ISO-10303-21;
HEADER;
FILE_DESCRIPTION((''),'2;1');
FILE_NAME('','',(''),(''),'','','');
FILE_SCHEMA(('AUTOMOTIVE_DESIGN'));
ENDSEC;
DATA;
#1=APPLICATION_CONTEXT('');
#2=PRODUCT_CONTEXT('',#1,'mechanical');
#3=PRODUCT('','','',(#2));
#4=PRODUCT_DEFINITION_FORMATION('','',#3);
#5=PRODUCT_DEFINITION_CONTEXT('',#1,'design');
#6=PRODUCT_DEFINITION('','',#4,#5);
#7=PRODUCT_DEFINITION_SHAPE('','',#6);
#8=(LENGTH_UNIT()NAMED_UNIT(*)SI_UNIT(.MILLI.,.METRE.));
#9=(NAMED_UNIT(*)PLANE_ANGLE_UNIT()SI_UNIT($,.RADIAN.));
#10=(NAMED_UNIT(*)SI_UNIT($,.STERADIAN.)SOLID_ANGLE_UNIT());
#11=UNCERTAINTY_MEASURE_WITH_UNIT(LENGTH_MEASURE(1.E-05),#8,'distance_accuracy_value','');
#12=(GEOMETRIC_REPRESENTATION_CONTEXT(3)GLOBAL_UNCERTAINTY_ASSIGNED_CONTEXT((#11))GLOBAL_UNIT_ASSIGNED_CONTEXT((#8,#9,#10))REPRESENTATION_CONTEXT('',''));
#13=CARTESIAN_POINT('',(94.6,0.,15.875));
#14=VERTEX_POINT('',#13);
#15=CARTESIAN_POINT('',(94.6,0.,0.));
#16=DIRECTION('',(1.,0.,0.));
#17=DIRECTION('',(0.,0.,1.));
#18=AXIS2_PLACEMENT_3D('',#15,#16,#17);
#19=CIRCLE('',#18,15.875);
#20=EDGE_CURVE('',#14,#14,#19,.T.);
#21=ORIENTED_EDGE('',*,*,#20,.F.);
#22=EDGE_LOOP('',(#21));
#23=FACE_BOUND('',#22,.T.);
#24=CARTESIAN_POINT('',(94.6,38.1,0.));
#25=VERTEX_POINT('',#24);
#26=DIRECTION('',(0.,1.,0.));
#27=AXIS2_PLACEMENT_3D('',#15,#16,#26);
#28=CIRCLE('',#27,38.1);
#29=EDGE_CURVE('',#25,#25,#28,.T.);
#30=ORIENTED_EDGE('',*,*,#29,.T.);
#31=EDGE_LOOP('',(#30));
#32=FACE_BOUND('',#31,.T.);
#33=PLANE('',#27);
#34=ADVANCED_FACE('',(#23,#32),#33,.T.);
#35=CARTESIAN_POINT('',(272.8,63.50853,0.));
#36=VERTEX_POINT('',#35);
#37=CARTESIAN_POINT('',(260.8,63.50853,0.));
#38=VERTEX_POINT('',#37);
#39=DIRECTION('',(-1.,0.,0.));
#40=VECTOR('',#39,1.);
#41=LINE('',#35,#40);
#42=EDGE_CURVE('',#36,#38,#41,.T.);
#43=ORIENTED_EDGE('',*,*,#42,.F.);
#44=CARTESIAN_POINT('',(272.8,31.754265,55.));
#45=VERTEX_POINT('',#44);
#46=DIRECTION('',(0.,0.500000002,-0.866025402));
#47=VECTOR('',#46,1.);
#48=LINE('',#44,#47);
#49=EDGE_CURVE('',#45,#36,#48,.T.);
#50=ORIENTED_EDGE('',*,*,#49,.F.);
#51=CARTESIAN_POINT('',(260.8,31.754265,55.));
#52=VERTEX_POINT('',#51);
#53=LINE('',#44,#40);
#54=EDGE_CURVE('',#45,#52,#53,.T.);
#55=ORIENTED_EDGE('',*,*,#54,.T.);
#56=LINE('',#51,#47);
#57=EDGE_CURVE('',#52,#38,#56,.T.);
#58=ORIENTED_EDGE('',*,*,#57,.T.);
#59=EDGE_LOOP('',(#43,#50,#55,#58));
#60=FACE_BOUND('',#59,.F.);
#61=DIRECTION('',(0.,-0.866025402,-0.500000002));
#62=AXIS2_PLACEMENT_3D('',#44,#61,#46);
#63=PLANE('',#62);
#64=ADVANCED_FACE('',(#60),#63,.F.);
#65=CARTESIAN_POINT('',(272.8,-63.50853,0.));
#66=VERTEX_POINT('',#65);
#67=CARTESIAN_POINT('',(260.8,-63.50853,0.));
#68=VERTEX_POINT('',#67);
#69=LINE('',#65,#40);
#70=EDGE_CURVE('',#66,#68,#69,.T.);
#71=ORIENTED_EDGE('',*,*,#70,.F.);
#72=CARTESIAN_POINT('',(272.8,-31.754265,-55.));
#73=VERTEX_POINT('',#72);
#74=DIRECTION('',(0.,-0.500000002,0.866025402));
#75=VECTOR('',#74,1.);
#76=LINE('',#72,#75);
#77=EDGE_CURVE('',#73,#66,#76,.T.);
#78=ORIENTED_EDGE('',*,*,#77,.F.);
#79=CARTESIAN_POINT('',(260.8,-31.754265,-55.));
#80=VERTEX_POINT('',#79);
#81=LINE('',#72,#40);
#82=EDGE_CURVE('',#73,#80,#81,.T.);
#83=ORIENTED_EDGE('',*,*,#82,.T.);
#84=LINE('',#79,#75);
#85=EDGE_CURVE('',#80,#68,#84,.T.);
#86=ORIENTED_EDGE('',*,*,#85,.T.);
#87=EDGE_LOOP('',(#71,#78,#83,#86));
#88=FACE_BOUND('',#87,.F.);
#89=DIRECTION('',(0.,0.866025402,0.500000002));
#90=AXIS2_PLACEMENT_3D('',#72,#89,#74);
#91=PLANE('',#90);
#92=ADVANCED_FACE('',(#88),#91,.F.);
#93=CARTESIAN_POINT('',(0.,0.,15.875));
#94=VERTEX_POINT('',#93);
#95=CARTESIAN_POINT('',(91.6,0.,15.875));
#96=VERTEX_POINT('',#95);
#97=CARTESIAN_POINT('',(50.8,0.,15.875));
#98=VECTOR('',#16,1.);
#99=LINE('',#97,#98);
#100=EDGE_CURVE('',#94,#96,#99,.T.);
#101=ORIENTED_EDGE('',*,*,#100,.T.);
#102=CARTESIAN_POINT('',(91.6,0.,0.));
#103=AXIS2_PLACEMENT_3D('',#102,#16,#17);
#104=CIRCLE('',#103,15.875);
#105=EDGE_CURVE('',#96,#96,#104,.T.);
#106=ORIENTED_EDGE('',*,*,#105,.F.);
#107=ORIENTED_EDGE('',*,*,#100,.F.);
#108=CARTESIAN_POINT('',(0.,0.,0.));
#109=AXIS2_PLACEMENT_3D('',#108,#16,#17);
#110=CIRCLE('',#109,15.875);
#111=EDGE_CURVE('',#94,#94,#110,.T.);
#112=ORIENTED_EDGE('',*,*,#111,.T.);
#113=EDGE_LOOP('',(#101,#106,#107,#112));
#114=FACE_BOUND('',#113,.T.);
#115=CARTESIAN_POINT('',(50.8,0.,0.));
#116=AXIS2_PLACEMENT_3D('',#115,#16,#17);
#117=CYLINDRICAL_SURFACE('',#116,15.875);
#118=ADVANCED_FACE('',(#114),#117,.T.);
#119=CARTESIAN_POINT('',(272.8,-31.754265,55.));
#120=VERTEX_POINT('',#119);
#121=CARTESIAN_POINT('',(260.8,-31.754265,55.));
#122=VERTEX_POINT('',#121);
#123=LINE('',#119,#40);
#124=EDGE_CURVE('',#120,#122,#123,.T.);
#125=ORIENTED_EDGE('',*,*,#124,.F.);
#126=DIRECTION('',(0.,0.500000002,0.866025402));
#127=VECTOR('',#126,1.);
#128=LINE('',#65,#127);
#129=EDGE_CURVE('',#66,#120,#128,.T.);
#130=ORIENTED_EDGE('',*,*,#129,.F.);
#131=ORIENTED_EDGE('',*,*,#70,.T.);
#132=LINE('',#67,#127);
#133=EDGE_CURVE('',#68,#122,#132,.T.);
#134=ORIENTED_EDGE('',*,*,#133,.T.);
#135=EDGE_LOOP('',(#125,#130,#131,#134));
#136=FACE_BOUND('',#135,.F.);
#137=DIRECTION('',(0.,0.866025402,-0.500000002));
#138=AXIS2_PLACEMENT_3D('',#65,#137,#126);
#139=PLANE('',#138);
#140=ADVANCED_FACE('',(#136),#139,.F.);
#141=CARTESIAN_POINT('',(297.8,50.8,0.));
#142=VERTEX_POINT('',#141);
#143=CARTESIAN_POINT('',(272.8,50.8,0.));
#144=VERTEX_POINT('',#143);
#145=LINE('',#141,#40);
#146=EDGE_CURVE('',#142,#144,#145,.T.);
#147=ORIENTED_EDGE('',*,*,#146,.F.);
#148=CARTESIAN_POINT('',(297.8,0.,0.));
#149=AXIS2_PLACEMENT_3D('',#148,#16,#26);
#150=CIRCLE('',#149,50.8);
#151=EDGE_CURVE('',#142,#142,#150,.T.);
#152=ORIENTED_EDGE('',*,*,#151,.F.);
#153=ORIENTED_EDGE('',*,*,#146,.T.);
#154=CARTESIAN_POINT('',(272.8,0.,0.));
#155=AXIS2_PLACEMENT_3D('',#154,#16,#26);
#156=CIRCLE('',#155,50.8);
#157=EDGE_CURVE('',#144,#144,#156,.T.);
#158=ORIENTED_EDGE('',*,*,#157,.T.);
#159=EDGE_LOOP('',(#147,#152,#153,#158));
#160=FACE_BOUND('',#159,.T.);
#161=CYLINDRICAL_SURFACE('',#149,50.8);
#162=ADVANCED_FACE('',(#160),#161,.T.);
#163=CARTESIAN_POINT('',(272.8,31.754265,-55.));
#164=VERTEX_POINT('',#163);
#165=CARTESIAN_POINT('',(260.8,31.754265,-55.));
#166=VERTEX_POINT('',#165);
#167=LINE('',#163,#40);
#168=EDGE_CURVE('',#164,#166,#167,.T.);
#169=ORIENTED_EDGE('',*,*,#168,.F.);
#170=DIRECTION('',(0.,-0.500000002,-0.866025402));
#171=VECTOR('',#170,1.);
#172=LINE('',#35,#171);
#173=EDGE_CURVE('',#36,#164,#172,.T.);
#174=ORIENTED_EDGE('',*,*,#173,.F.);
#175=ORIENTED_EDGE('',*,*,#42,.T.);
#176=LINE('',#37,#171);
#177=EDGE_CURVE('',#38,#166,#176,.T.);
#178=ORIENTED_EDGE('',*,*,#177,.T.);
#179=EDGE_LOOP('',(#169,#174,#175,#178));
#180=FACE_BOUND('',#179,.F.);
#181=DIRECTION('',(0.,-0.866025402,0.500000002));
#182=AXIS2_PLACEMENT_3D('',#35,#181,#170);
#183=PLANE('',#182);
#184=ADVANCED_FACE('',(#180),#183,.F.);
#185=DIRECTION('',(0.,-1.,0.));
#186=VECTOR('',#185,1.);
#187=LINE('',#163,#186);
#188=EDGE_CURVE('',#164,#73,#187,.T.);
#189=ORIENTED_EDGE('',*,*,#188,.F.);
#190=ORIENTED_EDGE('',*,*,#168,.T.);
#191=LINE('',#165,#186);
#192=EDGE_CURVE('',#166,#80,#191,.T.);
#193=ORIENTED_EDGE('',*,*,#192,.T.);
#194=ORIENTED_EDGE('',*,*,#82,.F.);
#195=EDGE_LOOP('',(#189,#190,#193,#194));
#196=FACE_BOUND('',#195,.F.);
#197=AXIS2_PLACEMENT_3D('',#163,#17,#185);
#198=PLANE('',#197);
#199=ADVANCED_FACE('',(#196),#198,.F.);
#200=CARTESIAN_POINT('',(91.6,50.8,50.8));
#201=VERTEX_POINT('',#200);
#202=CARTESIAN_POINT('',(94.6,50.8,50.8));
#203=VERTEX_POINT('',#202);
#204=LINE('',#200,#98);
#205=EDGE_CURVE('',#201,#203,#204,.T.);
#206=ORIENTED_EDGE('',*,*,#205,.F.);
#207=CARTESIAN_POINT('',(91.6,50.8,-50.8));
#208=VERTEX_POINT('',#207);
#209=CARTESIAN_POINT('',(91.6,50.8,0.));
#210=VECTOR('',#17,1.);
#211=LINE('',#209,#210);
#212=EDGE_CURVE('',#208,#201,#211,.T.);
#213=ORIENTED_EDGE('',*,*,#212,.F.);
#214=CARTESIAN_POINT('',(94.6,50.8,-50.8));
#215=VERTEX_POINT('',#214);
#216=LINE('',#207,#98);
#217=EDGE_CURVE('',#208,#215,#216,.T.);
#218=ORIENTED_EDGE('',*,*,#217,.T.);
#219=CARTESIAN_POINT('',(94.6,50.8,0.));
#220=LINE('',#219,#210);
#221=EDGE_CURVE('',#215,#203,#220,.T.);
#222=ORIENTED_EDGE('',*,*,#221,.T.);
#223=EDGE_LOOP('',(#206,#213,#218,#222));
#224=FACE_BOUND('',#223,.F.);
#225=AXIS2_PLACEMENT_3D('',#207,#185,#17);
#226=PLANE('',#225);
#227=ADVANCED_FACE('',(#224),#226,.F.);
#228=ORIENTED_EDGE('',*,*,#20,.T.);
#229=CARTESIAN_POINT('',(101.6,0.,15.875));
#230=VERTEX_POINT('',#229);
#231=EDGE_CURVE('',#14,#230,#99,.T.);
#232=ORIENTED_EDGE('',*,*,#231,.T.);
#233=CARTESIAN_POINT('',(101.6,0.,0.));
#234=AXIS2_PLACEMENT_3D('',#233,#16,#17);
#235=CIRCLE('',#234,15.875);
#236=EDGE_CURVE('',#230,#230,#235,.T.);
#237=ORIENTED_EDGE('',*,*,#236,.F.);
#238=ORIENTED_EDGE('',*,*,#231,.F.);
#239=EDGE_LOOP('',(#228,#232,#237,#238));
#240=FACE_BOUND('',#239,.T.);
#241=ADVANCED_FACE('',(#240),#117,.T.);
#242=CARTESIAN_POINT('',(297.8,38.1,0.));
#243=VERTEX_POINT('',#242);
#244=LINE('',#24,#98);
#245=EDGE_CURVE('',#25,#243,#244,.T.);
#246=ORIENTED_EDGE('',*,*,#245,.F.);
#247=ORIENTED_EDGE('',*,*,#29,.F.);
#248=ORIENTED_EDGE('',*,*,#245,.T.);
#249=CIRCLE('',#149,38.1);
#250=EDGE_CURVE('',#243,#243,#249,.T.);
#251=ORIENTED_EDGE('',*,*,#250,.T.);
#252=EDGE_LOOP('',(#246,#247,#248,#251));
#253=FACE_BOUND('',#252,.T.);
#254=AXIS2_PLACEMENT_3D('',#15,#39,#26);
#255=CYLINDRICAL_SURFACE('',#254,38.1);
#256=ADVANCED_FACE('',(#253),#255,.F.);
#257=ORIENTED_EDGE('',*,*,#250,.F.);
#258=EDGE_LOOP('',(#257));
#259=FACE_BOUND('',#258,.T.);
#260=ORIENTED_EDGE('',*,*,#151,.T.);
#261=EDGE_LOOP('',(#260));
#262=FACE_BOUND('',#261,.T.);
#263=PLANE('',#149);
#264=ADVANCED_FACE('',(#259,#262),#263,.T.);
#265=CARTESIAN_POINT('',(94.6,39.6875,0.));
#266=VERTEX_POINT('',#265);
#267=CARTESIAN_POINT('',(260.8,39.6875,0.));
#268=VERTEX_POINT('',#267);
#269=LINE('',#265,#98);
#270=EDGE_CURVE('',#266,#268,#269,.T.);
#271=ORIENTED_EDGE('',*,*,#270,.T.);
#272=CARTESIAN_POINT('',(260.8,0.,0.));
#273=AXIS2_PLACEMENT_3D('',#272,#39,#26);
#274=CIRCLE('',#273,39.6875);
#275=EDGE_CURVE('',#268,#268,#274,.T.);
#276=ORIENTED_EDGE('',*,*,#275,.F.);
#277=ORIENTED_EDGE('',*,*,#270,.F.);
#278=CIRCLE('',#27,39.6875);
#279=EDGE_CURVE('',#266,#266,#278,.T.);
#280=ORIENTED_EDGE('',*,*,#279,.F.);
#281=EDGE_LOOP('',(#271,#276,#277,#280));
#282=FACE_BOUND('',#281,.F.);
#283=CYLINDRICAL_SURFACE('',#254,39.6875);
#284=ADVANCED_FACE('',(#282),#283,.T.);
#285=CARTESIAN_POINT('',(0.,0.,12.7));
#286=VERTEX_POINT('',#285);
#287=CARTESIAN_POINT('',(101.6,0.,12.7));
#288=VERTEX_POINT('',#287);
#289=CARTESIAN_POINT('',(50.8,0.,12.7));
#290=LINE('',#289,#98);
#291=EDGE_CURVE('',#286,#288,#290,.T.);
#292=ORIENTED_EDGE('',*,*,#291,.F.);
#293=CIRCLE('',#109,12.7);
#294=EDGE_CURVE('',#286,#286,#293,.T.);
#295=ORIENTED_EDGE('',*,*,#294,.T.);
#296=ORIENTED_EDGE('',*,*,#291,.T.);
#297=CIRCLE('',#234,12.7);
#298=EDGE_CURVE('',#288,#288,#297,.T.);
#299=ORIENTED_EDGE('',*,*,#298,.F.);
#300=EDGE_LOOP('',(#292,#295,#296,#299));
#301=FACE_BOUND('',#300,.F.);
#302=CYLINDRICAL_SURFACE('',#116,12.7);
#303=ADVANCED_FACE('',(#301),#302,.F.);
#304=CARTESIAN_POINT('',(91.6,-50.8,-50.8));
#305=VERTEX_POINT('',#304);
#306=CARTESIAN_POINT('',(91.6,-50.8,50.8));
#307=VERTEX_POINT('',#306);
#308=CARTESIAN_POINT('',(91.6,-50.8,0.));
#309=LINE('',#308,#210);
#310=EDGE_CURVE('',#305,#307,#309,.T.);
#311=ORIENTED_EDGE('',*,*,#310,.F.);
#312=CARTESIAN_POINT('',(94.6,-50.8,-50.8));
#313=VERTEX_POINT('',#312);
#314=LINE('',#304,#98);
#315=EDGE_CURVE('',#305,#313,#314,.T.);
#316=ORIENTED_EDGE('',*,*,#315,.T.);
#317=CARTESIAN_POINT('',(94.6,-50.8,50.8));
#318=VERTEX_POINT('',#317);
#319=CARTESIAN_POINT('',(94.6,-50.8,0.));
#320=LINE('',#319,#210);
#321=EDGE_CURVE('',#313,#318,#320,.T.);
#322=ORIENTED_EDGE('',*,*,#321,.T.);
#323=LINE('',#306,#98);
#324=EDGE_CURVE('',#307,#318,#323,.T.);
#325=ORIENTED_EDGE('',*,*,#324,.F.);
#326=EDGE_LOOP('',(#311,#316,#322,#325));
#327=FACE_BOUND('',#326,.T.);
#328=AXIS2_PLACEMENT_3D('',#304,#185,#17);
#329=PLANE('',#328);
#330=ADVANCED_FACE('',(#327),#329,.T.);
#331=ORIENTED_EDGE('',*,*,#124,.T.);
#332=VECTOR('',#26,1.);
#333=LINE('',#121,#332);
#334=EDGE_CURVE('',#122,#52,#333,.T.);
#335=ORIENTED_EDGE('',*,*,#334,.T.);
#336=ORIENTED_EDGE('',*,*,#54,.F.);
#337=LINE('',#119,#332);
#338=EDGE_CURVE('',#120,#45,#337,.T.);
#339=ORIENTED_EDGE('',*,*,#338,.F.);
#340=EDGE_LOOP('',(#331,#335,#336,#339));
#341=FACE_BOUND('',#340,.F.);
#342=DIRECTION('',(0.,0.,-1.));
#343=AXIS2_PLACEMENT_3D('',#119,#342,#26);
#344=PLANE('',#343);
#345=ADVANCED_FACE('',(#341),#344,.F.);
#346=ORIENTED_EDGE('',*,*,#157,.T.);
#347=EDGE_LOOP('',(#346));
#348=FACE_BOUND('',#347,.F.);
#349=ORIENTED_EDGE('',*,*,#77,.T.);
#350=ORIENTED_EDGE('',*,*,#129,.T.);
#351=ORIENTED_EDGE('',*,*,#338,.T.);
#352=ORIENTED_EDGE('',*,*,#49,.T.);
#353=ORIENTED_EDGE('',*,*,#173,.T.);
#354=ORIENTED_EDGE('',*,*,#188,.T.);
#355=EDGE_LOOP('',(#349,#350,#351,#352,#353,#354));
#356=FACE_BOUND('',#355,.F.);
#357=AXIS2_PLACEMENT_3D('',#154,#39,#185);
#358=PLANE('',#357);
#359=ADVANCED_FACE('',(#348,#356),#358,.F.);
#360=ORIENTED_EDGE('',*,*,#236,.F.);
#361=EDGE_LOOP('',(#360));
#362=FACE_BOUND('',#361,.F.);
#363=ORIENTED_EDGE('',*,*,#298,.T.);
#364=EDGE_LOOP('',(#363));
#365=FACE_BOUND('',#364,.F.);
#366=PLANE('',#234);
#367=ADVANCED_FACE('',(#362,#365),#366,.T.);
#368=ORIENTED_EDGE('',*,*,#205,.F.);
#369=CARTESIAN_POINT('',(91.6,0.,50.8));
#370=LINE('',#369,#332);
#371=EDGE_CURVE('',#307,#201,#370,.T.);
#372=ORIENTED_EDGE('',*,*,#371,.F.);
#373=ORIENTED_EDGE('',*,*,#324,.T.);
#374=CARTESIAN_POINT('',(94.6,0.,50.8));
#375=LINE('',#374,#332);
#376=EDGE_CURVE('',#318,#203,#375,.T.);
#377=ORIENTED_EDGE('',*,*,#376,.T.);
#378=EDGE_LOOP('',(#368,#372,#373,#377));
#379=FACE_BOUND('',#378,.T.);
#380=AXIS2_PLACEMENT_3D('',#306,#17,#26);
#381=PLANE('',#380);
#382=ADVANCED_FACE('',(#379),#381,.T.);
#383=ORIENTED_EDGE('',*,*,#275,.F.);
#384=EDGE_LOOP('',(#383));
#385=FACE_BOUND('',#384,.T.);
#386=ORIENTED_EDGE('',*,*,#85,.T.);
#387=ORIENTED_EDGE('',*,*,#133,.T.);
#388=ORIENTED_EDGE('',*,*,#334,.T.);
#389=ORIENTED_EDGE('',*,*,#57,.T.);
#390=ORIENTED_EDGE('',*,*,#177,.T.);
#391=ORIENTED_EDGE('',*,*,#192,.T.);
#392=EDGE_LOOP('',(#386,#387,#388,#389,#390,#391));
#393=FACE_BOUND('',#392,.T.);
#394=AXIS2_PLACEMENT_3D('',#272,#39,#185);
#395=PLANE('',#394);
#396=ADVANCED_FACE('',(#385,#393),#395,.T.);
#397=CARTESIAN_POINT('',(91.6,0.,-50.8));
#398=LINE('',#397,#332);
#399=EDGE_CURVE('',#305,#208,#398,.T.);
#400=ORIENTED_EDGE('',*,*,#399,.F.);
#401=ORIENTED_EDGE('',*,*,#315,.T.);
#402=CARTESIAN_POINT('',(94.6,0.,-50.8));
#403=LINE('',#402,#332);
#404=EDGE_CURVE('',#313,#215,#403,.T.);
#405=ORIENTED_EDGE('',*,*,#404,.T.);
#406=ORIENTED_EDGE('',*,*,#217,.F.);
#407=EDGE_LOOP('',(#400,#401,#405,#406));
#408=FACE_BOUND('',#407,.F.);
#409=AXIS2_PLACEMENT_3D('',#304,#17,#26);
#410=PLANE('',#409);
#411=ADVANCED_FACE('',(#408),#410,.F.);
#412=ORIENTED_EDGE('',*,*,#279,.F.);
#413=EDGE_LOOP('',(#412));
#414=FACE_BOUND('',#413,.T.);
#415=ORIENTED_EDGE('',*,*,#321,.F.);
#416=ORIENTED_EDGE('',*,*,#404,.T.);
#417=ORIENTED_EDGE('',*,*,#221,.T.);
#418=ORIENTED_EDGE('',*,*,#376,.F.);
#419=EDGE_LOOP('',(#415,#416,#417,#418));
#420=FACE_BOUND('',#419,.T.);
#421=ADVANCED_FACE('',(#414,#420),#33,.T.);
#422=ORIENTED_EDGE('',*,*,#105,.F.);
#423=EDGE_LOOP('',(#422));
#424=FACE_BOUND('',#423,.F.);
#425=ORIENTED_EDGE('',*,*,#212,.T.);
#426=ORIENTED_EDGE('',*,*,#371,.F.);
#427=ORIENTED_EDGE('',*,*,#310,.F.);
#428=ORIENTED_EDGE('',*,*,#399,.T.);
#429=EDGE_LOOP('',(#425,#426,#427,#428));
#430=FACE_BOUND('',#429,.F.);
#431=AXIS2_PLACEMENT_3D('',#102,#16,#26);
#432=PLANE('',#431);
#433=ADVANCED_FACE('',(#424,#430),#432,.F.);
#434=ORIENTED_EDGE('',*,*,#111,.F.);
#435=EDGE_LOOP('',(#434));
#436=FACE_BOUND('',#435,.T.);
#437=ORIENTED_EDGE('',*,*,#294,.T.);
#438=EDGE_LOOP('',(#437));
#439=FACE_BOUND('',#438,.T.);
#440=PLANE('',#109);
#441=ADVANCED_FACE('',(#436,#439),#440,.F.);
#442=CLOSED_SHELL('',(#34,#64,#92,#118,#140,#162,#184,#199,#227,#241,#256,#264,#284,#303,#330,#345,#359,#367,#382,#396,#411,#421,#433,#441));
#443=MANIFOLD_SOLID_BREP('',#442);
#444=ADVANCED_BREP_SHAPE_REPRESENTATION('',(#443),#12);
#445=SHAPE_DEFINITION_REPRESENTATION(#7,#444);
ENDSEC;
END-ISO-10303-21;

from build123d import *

# Parameters (mm, degrees)
F0_W      = 101.6
F0_H      = 3.175
F3_W      = 101.6
F3_H      = 101.6
F3_R      = 14.2875
F4_DEPTH  = 3
F5_R      = 39.6875
F5_R_2    = 38.1
F6_DEPTH  = 203.2
F7_R      = 50.8
F7_R_2    = 39.6875
F8_DEPTH  = 25
F9_R      = 39.668
F10_DEPTH = 12


with BuildPart() as f1:
    # F0 (on Front) → F1 (revolve)
    with BuildSketch(Plane.XZ):
        with Locations((50.8, 14.2875)):
            Rectangle(F0_W, F0_H)
    revolve(axis=Axis((107.303783, 0, 0), (1, 0, 0)))

    # F3 (on offset) → F4 (join)
    with BuildSketch(Plane.YZ.offset(91.6)):
        Rectangle(F3_W, F3_H)
        Circle(F3_R, mode=Mode.SUBTRACT)
    extrude(amount=F4_DEPTH)

    # F5 (on face) → F6 (join)
    with BuildSketch(Plane.YZ.offset(94.6)):
        Circle(F5_R)
        Circle(F5_R_2, mode=Mode.SUBTRACT)
    extrude(amount=F6_DEPTH)

    # F7 (on face) → F8 (join)
    with BuildSketch(Plane.YZ.offset(297.8)):
        Circle(F7_R)
        Circle(F7_R_2, mode=Mode.SUBTRACT)
    extrude(amount=-F8_DEPTH)

    # F9 (on face) → F10 (join)
    with BuildSketch(Plane(origin=(272.8, 0, 0), x_dir=(0, -1, 0), z_dir=(-1, 0, 0))):
        Polygon((63.50853, 0), (31.754265, 55), (-31.754265, 55), (-63.50853, 0), (-31.754265, -55), (31.754265, -55), align=None)
        Circle(F9_R, mode=Mode.SUBTRACT)
    extrude(amount=F10_DEPTH)


solid = f1.part
